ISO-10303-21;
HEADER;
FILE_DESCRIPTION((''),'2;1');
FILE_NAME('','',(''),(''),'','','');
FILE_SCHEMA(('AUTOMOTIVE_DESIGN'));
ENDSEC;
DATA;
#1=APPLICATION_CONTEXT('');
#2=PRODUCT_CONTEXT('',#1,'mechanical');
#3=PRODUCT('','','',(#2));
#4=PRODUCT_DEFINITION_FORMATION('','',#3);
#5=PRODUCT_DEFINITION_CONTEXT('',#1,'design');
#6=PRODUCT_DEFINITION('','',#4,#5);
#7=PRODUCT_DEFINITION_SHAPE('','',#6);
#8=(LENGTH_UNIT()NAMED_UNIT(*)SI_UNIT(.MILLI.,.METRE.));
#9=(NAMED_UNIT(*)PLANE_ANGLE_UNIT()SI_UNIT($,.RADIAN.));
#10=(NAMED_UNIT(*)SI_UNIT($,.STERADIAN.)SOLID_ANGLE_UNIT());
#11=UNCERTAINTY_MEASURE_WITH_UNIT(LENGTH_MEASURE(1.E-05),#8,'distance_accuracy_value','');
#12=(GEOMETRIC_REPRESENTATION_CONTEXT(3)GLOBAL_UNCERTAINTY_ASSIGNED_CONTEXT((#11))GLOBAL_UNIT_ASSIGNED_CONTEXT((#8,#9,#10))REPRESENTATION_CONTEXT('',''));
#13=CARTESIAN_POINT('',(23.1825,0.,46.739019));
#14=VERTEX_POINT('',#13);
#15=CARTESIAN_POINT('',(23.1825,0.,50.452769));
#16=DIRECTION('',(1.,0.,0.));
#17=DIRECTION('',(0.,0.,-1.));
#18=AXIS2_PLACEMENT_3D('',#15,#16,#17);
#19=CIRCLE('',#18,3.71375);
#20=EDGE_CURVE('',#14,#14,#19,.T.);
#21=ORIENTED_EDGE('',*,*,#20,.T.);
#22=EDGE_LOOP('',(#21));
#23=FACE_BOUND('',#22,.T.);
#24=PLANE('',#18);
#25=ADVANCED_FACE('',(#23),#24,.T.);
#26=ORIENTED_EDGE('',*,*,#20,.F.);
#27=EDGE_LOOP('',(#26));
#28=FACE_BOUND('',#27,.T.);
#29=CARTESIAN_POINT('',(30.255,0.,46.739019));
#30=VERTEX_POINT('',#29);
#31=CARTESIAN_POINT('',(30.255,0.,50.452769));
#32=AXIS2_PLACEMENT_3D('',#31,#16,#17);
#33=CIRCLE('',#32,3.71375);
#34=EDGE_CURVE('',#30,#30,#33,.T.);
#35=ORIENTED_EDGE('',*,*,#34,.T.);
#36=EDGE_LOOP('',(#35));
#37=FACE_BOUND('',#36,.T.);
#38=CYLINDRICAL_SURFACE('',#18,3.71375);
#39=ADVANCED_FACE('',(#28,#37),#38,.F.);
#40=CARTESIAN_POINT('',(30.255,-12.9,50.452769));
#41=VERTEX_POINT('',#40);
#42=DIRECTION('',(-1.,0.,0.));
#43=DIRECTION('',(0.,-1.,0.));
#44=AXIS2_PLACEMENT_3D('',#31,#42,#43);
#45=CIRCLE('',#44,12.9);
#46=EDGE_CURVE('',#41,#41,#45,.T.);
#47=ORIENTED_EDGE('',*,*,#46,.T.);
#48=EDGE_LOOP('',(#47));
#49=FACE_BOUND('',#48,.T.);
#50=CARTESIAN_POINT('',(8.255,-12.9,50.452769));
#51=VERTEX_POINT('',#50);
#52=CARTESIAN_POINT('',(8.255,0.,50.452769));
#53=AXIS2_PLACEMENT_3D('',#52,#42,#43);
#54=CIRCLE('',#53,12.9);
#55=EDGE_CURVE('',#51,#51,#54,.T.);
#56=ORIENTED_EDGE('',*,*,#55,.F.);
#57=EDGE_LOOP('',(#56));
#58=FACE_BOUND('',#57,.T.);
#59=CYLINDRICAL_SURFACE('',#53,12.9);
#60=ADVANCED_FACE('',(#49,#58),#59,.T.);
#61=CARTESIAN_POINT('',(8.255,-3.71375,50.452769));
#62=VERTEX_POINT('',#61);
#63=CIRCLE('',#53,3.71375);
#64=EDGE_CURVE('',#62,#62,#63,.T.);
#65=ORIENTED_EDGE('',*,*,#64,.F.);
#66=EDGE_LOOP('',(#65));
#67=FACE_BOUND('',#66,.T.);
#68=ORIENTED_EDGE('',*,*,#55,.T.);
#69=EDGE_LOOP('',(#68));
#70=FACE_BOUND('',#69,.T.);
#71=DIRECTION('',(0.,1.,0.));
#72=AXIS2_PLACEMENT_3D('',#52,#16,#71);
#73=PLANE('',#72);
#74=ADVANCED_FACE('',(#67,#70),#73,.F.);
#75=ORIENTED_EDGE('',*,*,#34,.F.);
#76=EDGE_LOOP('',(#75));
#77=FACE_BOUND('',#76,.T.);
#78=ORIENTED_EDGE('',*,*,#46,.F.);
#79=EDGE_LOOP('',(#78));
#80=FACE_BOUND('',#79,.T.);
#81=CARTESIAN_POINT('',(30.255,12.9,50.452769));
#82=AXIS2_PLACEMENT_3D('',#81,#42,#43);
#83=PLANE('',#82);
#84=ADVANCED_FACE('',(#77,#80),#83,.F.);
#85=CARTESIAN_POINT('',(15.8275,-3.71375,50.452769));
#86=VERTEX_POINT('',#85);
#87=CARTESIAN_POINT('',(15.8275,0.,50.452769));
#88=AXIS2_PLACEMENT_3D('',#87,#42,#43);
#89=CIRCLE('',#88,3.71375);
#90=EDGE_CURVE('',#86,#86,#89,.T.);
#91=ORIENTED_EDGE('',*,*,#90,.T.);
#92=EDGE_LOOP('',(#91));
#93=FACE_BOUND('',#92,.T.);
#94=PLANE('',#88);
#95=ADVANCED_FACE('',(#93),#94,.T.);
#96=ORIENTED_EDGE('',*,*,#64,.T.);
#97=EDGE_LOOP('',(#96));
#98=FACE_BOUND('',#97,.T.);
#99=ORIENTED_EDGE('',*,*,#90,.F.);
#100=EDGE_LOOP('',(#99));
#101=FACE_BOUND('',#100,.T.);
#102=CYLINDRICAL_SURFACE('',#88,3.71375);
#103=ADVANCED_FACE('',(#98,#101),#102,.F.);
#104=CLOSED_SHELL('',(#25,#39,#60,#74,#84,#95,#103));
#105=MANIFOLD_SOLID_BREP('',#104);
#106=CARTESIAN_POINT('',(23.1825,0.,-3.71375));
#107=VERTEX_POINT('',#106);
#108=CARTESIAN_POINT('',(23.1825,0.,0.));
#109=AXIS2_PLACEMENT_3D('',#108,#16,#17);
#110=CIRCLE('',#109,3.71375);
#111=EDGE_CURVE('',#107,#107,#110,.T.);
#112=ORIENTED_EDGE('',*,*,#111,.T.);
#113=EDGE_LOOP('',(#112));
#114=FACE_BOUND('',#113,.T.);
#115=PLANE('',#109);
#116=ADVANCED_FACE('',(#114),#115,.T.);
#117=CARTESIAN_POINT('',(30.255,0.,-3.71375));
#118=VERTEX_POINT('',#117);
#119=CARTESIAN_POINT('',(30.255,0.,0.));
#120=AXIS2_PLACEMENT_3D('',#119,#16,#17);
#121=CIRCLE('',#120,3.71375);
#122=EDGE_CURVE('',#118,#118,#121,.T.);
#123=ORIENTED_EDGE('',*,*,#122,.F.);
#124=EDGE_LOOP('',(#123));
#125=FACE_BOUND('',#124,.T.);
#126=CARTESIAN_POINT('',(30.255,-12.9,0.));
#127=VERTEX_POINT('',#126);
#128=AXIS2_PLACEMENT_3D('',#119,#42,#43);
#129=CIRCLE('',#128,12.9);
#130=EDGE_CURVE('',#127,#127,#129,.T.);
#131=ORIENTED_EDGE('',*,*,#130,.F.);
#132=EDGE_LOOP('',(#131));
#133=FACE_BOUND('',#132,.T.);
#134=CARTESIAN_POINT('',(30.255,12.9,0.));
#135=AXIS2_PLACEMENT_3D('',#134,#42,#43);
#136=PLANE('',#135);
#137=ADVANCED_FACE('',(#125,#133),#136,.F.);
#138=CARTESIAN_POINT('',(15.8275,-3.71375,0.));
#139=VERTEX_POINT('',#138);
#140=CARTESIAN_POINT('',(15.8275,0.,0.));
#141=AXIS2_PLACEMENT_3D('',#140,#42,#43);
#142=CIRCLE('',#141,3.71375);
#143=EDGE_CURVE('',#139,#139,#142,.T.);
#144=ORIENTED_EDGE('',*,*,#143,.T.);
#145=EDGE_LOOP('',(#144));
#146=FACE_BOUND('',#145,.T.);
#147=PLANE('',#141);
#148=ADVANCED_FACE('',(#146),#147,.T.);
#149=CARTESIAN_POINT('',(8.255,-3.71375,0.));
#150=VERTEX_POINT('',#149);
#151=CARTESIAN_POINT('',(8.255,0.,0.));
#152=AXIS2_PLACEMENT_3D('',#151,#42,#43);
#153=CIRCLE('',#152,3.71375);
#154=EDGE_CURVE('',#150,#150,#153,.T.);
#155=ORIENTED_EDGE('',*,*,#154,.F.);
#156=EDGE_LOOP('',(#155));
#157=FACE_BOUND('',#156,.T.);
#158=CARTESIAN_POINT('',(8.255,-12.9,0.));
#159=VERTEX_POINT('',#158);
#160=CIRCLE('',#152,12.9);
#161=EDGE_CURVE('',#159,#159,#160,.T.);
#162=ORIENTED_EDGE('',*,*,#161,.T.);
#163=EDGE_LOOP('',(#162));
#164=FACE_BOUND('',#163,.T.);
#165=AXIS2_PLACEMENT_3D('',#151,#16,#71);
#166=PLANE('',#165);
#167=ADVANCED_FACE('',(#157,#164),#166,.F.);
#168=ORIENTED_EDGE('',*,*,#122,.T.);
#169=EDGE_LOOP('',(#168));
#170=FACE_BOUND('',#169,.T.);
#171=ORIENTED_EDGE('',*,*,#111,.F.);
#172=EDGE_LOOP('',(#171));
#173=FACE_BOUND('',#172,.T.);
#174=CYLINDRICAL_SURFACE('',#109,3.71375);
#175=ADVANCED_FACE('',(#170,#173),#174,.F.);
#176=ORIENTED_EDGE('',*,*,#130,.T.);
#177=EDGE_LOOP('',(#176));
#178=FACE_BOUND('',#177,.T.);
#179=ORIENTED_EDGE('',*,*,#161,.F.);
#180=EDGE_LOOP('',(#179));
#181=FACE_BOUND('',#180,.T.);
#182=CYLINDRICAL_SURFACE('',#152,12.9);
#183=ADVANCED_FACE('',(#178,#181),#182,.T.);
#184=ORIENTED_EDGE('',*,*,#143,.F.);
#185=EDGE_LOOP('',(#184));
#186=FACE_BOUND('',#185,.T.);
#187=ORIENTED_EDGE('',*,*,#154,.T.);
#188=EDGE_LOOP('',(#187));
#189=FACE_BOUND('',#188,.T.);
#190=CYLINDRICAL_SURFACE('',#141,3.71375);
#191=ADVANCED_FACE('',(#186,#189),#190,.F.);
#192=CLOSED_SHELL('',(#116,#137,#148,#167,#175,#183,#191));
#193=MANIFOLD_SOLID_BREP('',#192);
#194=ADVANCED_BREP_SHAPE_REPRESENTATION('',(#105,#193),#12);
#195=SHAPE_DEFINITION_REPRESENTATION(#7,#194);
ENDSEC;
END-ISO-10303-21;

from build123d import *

# Parameters (mm, degrees)
SKETCH1_W          = 22
SKETCH1_H          = 12.9
SKETCH2_R          = 3.71375
CUT_EXTRUDE1_DEPTH = 7.5725
SKETCH4_R          = 3.71375
CUT_EXTRUDE2_DEPTH = 7.0725


with BuildPart() as part:
    # Sketch1 → Revolve1 (revolve)
    with BuildSketch(Plane.XY):
        with Locations((19.255, 6.45)):
            Rectangle(SKETCH1_W, SKETCH1_H)
    revolve(axis=Axis((8.255, 0, 0), (1, 0, 0)))

    # Sketch2 → Cut-Extrude1 (cut)
    with BuildSketch(Plane.ZY.offset(-8.255)):
        Circle(SKETCH2_R)
    extrude(amount=-CUT_EXTRUDE1_DEPTH, mode=Mode.SUBTRACT)

    # Sketch4 → Cut-Extrude2 (cut)
    with BuildSketch(Plane(origin=(30.255, 0, 0), x_dir=(0, 0, -1), z_dir=(1, 0, 0))):
        Circle(SKETCH4_R)
    extrude(amount=-CUT_EXTRUDE2_DEPTH, mode=Mode.SUBTRACT)


with BuildPart() as body_2:
    # Body-Move/Copy1: copy of part
    add(part.part.moved(Location((0, 0, 50.452769062))))


solid = Compound([part.part, body_2.part])
